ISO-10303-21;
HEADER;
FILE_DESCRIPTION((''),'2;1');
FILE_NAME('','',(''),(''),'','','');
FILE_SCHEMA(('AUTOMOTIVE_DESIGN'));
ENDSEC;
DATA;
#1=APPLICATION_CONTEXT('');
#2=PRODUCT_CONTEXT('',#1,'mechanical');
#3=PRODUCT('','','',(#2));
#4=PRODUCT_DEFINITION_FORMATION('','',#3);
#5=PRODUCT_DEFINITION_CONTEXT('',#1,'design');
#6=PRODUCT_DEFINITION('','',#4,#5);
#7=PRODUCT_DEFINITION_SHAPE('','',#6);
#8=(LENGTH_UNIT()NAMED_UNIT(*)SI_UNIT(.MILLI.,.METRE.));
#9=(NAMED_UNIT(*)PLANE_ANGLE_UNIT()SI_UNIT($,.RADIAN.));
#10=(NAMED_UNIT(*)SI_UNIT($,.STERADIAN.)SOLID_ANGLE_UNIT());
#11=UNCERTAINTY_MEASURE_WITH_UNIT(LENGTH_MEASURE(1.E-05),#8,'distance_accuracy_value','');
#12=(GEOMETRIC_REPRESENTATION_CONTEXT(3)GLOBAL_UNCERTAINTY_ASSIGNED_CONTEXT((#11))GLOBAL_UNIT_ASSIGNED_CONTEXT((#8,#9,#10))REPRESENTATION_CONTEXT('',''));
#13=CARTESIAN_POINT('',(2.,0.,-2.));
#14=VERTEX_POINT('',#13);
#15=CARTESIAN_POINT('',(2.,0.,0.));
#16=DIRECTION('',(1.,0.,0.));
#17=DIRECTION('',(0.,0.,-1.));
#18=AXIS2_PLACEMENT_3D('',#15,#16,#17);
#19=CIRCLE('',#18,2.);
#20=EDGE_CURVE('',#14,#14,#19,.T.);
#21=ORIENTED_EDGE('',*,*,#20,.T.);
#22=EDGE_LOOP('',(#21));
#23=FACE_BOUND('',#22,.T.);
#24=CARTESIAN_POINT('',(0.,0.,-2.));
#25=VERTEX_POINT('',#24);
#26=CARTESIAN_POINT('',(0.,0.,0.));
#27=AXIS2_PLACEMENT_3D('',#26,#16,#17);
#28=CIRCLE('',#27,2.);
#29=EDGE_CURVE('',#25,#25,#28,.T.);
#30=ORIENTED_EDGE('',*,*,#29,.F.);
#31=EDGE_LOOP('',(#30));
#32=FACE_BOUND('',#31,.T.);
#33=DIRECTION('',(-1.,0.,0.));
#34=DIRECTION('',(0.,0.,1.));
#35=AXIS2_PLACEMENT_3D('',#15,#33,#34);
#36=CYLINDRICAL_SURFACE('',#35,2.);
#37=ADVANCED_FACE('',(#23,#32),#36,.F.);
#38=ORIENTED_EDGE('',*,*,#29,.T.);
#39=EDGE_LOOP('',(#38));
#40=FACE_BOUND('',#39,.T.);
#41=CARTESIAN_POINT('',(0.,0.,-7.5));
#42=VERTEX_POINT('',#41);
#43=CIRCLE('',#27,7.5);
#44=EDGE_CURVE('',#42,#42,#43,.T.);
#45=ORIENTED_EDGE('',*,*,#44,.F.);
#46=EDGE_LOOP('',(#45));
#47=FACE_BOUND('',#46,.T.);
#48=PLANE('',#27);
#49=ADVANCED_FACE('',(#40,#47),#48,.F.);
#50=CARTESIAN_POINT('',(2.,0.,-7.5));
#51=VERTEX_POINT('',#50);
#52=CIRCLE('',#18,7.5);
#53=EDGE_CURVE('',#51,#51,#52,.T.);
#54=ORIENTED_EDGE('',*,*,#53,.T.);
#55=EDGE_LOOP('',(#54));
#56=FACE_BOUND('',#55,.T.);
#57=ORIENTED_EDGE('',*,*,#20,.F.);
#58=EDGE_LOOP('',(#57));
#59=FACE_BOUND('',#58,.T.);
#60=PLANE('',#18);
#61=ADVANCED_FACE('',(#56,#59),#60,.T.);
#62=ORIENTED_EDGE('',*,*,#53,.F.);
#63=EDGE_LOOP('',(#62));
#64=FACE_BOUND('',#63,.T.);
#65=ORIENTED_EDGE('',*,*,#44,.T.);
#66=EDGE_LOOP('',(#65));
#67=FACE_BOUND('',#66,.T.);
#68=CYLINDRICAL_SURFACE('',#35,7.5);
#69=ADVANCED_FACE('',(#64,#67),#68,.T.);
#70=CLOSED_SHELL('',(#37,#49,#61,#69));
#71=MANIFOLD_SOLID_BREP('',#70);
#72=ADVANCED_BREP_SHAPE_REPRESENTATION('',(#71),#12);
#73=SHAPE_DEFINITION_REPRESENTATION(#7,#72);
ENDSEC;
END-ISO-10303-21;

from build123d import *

# Parameters (mm, degrees)
SKETCH_1_R      = 7.5
SKETCH_1_R_2    = 2
EXTRUDE_1_DEPTH = 2


with BuildPart() as part:
    # 草图1 → 凸台-拉伸1 (new body)
    with BuildSketch(Plane(origin=(0, 0, 0), x_dir=(0, 0, -1), z_dir=(1, 0, 0))):
        Circle(SKETCH_1_R)
        Circle(SKETCH_1_R_2, mode=Mode.SUBTRACT)
    extrude(amount=EXTRUDE_1_DEPTH)


solid = part.part
